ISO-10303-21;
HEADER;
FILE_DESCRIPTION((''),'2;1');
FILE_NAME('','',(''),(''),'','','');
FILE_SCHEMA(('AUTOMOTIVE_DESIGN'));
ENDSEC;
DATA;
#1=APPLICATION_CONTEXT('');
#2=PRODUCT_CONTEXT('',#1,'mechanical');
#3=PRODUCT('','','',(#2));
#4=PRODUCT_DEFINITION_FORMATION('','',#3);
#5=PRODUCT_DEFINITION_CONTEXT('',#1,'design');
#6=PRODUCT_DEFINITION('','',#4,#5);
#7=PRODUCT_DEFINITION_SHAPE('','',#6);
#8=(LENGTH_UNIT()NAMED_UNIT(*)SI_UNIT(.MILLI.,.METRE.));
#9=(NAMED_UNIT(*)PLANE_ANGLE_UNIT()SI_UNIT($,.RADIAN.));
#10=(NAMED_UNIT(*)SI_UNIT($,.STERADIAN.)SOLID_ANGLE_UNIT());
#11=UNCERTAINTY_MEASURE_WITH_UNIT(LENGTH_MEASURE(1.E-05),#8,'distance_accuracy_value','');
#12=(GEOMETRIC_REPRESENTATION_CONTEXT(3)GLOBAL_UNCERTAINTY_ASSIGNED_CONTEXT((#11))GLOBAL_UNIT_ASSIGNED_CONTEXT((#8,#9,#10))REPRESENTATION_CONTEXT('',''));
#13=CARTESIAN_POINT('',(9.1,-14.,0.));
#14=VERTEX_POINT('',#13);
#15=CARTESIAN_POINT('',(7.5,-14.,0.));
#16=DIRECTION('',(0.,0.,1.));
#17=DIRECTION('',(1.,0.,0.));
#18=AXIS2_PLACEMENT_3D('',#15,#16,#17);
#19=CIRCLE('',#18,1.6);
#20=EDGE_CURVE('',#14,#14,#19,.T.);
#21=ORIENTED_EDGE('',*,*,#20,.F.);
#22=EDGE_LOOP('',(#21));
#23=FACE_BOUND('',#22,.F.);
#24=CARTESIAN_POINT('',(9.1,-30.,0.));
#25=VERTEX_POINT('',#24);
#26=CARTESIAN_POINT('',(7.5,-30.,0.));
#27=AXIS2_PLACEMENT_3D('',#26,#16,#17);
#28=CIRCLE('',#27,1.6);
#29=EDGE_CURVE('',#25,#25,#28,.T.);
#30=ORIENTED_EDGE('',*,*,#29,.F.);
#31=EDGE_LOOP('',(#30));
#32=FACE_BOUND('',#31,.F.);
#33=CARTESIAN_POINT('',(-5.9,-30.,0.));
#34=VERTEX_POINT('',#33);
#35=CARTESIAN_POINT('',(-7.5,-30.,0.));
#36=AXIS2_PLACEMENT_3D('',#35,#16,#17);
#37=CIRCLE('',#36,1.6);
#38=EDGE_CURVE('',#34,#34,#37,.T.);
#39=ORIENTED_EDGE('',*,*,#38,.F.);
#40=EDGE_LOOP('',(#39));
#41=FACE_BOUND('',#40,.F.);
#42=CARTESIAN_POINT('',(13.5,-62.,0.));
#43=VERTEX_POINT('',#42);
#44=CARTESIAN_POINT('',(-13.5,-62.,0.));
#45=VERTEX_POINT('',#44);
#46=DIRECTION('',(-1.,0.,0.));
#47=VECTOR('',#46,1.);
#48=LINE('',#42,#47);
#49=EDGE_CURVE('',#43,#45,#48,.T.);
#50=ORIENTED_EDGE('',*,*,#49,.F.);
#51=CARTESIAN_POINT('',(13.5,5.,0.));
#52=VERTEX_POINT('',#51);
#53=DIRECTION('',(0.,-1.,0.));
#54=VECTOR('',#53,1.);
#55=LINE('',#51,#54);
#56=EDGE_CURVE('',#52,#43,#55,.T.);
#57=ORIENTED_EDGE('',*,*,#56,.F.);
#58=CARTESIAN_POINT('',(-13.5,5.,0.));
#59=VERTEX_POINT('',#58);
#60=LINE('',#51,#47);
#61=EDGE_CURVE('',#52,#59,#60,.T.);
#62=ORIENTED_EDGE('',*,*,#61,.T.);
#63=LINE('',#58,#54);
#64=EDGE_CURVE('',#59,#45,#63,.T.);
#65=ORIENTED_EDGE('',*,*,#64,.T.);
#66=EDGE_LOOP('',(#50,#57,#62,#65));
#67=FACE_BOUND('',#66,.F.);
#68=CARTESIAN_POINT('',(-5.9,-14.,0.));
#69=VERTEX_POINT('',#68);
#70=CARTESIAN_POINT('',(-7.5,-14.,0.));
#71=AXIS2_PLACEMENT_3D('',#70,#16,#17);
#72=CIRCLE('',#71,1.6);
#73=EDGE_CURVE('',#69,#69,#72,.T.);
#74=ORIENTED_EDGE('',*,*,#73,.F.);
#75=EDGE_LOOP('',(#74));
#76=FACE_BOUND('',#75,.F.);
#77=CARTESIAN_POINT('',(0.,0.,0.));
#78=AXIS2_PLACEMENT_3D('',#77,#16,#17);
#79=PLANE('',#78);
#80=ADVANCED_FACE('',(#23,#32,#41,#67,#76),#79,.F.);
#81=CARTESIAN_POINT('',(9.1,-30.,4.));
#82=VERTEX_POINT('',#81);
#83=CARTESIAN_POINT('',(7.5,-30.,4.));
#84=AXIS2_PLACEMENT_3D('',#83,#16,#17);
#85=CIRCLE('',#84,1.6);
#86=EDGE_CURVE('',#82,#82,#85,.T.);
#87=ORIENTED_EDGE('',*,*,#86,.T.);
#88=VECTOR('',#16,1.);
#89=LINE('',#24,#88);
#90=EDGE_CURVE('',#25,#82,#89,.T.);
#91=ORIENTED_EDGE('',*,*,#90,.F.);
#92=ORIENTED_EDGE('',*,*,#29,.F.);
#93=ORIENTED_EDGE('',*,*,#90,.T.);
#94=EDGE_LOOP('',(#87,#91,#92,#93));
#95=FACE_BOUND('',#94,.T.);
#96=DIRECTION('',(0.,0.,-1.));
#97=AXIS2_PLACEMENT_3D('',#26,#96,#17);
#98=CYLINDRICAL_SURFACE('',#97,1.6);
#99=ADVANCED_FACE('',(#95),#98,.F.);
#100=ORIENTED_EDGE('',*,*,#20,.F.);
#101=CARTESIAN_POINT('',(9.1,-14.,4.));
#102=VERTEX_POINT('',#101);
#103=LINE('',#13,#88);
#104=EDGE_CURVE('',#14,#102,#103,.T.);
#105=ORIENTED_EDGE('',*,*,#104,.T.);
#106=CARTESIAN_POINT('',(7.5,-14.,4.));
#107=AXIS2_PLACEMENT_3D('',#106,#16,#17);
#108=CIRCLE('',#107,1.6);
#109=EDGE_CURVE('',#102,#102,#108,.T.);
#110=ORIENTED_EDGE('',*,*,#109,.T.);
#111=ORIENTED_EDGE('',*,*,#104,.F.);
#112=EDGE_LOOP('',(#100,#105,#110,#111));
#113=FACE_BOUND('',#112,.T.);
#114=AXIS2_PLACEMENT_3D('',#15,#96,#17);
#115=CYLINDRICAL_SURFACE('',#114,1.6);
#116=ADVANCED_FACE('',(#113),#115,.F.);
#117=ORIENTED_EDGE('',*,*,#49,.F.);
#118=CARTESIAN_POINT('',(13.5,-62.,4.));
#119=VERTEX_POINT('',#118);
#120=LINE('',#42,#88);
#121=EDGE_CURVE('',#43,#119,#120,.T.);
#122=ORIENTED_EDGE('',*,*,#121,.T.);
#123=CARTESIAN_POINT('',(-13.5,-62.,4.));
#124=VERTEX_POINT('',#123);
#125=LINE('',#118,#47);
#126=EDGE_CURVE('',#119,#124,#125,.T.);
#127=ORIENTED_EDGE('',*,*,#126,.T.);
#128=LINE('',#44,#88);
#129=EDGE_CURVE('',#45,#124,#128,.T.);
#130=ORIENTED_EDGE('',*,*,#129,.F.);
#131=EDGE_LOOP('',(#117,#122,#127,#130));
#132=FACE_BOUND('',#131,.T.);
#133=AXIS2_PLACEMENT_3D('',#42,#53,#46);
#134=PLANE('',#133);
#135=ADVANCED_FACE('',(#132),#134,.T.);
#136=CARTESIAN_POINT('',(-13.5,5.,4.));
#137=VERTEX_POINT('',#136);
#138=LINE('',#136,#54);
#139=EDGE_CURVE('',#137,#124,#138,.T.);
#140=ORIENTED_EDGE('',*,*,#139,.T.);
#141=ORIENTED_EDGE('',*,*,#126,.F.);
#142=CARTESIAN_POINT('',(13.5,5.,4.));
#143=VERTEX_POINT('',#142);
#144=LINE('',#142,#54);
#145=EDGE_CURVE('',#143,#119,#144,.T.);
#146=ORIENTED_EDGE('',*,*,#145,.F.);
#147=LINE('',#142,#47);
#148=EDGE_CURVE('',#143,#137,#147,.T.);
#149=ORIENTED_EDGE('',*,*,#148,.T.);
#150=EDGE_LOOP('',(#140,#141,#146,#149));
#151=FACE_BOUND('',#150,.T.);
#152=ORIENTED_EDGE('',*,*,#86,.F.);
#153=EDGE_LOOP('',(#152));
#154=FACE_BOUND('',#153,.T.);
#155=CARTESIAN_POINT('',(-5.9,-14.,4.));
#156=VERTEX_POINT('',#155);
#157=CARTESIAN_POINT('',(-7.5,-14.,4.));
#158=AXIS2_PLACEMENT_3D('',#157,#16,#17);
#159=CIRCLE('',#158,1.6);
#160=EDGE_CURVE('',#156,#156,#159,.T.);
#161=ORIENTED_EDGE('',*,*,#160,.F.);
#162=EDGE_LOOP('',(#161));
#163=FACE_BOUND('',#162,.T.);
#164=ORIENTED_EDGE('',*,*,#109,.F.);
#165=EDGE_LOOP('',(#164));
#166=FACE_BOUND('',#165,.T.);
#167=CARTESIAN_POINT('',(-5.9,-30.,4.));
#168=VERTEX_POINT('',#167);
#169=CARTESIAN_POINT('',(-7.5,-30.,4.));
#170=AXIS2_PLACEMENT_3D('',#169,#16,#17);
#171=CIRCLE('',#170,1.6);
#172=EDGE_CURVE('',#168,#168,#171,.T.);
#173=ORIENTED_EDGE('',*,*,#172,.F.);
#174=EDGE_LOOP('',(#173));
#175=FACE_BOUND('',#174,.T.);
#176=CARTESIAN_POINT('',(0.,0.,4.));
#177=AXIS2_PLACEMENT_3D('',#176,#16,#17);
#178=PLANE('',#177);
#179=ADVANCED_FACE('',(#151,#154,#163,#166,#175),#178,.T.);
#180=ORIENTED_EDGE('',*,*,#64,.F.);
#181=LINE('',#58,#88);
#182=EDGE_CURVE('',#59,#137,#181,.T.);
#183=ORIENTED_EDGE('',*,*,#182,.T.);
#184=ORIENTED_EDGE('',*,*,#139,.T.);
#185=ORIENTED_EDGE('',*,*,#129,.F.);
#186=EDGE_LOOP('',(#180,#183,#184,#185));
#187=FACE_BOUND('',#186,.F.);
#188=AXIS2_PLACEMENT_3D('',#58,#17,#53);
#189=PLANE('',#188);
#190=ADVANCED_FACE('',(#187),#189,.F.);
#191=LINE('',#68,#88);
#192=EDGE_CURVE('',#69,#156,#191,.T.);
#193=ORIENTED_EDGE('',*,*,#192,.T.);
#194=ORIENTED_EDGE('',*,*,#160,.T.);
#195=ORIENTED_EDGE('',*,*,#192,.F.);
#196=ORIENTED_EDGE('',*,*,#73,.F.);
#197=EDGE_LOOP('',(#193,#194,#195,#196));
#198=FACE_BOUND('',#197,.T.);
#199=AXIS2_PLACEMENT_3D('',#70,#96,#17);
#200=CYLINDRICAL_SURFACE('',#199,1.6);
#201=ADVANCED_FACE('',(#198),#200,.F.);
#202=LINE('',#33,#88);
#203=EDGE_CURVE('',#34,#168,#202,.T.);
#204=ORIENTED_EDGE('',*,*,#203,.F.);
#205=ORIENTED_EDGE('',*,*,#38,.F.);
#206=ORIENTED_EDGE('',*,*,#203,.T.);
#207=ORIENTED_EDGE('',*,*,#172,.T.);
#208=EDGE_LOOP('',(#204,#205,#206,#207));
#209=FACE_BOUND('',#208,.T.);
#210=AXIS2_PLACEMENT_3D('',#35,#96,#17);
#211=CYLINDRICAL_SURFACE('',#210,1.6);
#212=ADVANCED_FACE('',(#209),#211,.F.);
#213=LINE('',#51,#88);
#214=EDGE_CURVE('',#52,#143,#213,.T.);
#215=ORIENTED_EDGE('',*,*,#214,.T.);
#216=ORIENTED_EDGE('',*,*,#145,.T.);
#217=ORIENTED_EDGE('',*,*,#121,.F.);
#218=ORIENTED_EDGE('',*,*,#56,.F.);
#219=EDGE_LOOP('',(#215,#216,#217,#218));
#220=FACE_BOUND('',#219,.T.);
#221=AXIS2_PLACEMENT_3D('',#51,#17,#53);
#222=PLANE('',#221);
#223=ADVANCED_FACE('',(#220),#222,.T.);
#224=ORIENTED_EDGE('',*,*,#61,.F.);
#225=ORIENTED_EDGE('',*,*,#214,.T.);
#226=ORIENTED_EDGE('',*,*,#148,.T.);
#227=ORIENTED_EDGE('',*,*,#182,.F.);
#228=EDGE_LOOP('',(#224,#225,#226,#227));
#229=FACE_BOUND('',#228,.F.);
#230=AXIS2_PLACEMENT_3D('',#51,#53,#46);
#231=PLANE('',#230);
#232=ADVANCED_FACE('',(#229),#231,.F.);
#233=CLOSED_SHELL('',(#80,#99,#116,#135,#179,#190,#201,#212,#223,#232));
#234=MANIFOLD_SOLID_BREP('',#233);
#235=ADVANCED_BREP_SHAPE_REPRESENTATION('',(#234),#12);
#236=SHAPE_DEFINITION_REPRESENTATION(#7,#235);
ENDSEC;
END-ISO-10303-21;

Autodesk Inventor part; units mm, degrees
ref_plane "YZ Plane" through (0, 0, 0) normal (1, 0, 0) x (0, 1, 0)
ref_plane "XZ Plane" through (0, 0, 0) normal (0, 1, 0) x (-1, 0, 0)
ref_plane "XY Plane" through (0, 0, 0) normal (0, 0, 1) x (1, 0, 0)
sketch "Эскиз1" plane through (0, 0, 0) normal (0, 0, 1) x (1, 0, 0)
  line L0 (13.5, 5) -> (-13.5, 5) projected
  line L1 (-13.5, 5) -> (-13.5, -62) projected
  circle A0 centre (-7.5, -30) radius 1.6 projected
  circle A1 centre (7.5, -30) radius 1.6 projected
  circle A2 centre (7.5, -14) radius 1.6 projected
  circle A3 centre (-7.5, -14) radius 1.6 projected
  circle A4 centre (10, -45) radius 1.6 projected
  circle A5 centre (1, 1) radius 1.6 projected
  circle A6 centre (10, 1) radius 1.6 projected
  circle A7 centre (1, -45) radius 1.6 projected
  line L2 (13.5, 5) -> (13.5, -62) projected
  line L3 (13.5, -62) -> (-13.5, -62) projected
  circle A8 centre (4.75, -56) radius 1.1 projected
  circle A9 centre (-4.75, -56) radius 1.1 projected
  point P0 (0, 0)
  point P1 (13.5, -49)
extrude "Выдавливание1" add sketch "Эскиз1" along normal blind 4 contours L2 L3 L1 L0 | A4 | A5 | A6 | A7 | A8 | A9
properties part number "фанера_креп_маркера" material "Древесина (береза)"
